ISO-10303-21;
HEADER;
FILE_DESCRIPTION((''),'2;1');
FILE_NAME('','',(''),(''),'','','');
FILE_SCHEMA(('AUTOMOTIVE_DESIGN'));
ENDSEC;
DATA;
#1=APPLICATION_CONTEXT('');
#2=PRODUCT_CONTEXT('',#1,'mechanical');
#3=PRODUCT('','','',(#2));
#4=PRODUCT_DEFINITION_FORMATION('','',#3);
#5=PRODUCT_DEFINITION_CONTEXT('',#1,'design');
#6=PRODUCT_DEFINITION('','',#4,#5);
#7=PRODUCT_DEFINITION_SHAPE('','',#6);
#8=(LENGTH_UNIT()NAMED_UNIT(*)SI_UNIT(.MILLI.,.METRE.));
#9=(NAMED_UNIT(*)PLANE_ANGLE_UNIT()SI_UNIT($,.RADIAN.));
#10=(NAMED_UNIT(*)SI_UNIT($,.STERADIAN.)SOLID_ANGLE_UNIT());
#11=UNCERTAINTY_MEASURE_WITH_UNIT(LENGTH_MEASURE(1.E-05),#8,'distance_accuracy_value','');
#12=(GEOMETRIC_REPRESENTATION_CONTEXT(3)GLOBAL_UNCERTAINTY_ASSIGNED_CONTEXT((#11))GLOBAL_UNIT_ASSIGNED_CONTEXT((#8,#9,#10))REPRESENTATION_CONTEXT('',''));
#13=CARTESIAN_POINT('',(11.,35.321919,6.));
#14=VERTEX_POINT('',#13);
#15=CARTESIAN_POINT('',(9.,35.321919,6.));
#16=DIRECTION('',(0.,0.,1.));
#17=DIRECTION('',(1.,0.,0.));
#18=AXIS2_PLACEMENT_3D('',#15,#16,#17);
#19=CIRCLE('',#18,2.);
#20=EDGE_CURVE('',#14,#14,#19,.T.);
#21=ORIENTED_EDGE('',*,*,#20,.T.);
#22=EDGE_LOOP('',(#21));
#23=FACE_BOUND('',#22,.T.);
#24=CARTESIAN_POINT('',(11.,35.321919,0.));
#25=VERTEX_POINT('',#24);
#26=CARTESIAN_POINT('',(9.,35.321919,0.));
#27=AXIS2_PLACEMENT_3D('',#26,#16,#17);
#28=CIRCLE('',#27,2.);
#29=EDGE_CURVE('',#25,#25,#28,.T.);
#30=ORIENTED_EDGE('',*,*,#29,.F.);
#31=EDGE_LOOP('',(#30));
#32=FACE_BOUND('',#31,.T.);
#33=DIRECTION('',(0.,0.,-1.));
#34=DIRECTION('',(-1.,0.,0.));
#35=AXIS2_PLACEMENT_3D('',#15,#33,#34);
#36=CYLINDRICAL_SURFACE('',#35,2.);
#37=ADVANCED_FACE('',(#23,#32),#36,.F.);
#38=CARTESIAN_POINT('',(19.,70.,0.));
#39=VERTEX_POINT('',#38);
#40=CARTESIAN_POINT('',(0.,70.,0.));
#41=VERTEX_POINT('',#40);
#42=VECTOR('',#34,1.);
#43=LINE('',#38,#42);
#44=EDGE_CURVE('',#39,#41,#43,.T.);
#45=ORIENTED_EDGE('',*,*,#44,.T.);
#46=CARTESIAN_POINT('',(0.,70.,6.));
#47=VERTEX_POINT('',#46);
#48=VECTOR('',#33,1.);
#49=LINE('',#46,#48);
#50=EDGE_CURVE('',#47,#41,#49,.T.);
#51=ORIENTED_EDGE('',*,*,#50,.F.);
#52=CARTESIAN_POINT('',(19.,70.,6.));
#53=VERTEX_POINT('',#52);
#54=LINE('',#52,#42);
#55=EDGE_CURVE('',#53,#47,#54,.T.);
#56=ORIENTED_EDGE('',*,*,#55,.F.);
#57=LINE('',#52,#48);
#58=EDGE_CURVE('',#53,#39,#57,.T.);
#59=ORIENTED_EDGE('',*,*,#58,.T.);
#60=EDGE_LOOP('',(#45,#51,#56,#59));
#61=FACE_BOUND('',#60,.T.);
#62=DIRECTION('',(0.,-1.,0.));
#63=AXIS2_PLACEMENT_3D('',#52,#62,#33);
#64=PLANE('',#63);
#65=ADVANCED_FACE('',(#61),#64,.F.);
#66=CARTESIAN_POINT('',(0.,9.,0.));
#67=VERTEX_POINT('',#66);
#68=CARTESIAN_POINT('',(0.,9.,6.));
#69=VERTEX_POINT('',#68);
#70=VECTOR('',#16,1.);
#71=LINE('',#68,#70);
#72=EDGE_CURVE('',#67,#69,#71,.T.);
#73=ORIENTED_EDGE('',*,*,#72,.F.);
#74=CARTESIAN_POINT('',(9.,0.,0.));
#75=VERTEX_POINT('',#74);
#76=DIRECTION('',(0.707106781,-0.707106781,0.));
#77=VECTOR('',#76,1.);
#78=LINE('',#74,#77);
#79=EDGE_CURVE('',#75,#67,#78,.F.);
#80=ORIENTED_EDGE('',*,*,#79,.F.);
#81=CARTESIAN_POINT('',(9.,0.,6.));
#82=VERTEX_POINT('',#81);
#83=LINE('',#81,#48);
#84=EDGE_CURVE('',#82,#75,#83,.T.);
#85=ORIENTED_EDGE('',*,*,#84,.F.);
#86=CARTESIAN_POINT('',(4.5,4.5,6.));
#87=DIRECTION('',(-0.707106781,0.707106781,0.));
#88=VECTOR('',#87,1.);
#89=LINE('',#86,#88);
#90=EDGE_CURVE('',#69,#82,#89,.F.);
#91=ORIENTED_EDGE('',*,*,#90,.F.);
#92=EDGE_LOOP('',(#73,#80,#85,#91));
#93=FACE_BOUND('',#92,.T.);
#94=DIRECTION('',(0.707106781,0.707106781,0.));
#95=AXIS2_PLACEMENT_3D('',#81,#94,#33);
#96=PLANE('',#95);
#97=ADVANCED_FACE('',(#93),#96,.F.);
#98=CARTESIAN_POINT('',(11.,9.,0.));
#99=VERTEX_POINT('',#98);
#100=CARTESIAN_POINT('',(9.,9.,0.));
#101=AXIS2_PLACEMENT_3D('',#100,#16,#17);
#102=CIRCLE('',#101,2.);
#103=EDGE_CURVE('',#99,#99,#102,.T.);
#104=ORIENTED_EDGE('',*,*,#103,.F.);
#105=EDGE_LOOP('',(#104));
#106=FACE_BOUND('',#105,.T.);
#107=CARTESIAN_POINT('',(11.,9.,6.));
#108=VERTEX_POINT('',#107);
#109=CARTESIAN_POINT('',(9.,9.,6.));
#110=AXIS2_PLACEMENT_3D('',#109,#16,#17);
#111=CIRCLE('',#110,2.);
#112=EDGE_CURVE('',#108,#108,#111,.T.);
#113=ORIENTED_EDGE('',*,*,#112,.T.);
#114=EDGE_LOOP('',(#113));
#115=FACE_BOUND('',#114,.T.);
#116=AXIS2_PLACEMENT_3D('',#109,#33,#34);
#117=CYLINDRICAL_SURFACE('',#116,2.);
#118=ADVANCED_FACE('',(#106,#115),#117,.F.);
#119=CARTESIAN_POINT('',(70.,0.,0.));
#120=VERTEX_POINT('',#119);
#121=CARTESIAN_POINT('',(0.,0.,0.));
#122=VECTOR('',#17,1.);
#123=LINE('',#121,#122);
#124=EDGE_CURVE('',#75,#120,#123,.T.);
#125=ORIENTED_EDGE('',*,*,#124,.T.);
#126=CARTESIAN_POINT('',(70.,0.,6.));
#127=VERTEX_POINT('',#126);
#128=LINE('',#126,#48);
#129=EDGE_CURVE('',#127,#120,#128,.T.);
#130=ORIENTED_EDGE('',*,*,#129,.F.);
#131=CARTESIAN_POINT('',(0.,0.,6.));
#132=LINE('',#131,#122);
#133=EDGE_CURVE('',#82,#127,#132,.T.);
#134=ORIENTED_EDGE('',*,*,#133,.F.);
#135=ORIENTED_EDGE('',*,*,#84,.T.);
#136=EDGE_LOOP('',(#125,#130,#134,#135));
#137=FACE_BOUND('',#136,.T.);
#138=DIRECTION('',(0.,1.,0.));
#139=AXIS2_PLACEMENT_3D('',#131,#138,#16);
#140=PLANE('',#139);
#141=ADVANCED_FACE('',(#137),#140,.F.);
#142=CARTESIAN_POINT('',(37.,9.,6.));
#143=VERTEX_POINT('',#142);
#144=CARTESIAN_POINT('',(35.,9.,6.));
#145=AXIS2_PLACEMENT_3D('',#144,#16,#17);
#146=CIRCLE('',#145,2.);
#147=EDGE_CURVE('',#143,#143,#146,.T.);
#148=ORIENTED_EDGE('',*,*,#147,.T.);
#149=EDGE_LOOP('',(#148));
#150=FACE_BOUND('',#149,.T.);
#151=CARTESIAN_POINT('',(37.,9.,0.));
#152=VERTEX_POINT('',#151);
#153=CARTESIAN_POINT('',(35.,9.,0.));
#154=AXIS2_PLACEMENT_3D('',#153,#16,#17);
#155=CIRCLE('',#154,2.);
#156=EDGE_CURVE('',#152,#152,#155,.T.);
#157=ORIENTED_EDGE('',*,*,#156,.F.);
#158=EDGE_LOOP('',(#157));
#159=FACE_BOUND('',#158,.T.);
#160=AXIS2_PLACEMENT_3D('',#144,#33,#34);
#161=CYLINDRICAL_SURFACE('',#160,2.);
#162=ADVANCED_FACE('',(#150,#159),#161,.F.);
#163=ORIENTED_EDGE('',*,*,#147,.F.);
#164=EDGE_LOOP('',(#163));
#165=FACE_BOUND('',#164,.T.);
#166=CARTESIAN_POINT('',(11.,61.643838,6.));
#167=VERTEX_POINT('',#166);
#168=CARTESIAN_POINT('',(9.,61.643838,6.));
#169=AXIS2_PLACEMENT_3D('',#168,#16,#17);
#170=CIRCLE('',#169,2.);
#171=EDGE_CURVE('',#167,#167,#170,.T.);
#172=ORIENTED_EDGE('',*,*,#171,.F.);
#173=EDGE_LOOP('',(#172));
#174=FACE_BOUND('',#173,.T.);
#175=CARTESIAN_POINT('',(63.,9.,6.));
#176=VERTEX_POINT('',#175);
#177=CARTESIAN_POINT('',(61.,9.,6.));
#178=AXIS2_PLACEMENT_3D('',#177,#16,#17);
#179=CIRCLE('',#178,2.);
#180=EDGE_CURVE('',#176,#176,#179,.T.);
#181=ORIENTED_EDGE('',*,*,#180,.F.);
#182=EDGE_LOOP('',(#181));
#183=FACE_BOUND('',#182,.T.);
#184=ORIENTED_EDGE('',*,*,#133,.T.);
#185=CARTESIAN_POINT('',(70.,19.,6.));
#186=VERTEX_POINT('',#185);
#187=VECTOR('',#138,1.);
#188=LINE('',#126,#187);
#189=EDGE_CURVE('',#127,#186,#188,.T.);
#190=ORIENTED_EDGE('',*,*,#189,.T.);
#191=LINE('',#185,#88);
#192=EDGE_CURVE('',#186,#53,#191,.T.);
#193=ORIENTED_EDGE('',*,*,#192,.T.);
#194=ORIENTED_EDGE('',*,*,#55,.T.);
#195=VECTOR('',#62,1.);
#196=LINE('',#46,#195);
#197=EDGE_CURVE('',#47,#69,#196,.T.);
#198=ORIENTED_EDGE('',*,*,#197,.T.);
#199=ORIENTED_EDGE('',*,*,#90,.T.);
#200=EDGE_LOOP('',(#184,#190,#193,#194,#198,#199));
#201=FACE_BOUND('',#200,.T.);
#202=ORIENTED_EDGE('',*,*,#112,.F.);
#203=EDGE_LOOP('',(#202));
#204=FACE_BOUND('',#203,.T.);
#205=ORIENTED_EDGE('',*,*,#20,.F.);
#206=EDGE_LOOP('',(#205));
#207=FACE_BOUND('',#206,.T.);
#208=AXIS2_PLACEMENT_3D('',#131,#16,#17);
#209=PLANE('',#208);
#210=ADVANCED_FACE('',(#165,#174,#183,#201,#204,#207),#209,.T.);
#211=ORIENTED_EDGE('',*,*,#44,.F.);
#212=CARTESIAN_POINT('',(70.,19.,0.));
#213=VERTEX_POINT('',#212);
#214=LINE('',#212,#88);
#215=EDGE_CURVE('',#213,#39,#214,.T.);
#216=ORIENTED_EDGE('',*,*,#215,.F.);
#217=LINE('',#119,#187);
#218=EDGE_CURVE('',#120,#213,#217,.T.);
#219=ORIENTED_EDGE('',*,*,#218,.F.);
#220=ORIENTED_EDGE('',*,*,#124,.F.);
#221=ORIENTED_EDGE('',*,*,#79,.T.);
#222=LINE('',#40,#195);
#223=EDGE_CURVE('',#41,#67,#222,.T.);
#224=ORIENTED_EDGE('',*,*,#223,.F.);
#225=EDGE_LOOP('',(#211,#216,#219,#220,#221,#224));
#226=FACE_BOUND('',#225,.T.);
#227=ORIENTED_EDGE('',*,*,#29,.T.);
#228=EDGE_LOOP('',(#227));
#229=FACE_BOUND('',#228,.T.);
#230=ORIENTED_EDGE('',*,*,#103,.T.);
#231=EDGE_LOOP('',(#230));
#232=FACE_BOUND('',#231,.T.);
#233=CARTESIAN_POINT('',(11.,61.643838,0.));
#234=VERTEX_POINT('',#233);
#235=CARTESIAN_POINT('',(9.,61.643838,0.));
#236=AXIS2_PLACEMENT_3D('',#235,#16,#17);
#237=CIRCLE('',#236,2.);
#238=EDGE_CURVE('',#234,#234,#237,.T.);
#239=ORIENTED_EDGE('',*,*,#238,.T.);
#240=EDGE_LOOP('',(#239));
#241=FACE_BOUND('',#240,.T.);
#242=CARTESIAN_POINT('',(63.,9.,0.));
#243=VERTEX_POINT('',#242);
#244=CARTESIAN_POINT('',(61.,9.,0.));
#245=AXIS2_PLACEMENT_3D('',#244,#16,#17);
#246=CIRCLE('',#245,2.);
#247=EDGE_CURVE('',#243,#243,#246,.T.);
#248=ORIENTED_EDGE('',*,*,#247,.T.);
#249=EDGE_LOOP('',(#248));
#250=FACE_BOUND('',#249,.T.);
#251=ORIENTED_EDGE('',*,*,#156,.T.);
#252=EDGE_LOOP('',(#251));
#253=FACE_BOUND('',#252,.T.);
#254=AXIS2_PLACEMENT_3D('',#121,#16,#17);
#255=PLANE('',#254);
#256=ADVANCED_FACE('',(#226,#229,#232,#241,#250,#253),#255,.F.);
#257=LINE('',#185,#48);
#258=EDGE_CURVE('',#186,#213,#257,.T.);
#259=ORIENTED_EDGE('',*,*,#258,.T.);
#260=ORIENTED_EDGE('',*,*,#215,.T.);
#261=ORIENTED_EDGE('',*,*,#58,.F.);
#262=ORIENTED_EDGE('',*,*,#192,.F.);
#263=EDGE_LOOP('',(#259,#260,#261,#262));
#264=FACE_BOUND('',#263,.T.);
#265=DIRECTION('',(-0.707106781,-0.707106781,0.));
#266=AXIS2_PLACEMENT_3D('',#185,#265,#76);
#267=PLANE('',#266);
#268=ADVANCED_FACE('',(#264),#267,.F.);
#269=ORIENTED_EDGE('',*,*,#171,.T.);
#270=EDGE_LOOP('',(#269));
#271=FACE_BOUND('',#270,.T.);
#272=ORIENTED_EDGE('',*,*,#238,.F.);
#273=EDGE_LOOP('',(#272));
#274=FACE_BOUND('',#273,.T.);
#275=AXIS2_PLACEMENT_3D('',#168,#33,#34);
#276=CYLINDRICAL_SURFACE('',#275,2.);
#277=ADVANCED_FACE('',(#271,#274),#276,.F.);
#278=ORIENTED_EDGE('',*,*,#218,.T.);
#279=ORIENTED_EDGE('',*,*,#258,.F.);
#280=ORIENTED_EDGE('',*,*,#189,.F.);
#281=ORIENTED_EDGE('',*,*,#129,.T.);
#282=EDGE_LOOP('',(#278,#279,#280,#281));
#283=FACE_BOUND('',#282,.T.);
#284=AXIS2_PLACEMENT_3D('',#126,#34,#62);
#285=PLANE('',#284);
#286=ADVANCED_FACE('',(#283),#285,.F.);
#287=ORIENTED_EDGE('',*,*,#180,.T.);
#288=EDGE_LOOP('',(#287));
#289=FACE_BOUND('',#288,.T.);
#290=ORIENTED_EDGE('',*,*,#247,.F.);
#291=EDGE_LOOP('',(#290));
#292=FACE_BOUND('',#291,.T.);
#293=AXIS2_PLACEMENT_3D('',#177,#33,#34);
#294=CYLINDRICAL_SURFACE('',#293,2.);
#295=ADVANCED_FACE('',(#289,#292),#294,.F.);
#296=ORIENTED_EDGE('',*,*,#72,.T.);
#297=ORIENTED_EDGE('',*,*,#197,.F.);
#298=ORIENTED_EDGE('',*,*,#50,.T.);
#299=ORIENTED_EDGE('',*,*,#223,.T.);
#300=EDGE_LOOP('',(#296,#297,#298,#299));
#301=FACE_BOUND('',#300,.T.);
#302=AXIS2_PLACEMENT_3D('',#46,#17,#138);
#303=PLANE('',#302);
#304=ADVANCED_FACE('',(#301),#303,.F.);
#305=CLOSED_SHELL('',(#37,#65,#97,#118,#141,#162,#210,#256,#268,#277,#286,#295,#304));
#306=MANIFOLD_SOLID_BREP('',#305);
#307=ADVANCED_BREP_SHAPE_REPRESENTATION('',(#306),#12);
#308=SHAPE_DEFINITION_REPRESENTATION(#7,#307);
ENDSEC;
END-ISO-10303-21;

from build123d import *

# Parameters (mm, degrees)
SKETCH1_R           = 2
BOSS_EXTRUDE1_DEPTH = 6
CHAMFER1_SIZE       = 9


with BuildPart() as part:
    # Sketch1 → Boss-Extrude1 (new body)
    with BuildSketch(Plane.XY):
        Polygon((0, 70), (0, 0), (70, 0), (70, 19), (19, 70), align=None)
        with Locations((9, 9)):
            Circle(SKETCH1_R, mode=Mode.SUBTRACT)
        with Locations((35, 9)):
            Circle(SKETCH1_R, mode=Mode.SUBTRACT)
        with Locations((61, 9)):
            Circle(SKETCH1_R, mode=Mode.SUBTRACT)
        with Locations((9, 61.643837586)):
            Circle(SKETCH1_R, mode=Mode.SUBTRACT)
        with Locations((9, 35.321918793)):
            Circle(SKETCH1_R, mode=Mode.SUBTRACT)
    extrude(amount=BOSS_EXTRUDE1_DEPTH)

    # Chamfer1
    chamfer1_edges = [part.edges().sort_by_distance(p)[0] for p in [
        (0, 0, 3),
    ]]
    chamfer(chamfer1_edges, length=CHAMFER1_SIZE)


solid = part.part
